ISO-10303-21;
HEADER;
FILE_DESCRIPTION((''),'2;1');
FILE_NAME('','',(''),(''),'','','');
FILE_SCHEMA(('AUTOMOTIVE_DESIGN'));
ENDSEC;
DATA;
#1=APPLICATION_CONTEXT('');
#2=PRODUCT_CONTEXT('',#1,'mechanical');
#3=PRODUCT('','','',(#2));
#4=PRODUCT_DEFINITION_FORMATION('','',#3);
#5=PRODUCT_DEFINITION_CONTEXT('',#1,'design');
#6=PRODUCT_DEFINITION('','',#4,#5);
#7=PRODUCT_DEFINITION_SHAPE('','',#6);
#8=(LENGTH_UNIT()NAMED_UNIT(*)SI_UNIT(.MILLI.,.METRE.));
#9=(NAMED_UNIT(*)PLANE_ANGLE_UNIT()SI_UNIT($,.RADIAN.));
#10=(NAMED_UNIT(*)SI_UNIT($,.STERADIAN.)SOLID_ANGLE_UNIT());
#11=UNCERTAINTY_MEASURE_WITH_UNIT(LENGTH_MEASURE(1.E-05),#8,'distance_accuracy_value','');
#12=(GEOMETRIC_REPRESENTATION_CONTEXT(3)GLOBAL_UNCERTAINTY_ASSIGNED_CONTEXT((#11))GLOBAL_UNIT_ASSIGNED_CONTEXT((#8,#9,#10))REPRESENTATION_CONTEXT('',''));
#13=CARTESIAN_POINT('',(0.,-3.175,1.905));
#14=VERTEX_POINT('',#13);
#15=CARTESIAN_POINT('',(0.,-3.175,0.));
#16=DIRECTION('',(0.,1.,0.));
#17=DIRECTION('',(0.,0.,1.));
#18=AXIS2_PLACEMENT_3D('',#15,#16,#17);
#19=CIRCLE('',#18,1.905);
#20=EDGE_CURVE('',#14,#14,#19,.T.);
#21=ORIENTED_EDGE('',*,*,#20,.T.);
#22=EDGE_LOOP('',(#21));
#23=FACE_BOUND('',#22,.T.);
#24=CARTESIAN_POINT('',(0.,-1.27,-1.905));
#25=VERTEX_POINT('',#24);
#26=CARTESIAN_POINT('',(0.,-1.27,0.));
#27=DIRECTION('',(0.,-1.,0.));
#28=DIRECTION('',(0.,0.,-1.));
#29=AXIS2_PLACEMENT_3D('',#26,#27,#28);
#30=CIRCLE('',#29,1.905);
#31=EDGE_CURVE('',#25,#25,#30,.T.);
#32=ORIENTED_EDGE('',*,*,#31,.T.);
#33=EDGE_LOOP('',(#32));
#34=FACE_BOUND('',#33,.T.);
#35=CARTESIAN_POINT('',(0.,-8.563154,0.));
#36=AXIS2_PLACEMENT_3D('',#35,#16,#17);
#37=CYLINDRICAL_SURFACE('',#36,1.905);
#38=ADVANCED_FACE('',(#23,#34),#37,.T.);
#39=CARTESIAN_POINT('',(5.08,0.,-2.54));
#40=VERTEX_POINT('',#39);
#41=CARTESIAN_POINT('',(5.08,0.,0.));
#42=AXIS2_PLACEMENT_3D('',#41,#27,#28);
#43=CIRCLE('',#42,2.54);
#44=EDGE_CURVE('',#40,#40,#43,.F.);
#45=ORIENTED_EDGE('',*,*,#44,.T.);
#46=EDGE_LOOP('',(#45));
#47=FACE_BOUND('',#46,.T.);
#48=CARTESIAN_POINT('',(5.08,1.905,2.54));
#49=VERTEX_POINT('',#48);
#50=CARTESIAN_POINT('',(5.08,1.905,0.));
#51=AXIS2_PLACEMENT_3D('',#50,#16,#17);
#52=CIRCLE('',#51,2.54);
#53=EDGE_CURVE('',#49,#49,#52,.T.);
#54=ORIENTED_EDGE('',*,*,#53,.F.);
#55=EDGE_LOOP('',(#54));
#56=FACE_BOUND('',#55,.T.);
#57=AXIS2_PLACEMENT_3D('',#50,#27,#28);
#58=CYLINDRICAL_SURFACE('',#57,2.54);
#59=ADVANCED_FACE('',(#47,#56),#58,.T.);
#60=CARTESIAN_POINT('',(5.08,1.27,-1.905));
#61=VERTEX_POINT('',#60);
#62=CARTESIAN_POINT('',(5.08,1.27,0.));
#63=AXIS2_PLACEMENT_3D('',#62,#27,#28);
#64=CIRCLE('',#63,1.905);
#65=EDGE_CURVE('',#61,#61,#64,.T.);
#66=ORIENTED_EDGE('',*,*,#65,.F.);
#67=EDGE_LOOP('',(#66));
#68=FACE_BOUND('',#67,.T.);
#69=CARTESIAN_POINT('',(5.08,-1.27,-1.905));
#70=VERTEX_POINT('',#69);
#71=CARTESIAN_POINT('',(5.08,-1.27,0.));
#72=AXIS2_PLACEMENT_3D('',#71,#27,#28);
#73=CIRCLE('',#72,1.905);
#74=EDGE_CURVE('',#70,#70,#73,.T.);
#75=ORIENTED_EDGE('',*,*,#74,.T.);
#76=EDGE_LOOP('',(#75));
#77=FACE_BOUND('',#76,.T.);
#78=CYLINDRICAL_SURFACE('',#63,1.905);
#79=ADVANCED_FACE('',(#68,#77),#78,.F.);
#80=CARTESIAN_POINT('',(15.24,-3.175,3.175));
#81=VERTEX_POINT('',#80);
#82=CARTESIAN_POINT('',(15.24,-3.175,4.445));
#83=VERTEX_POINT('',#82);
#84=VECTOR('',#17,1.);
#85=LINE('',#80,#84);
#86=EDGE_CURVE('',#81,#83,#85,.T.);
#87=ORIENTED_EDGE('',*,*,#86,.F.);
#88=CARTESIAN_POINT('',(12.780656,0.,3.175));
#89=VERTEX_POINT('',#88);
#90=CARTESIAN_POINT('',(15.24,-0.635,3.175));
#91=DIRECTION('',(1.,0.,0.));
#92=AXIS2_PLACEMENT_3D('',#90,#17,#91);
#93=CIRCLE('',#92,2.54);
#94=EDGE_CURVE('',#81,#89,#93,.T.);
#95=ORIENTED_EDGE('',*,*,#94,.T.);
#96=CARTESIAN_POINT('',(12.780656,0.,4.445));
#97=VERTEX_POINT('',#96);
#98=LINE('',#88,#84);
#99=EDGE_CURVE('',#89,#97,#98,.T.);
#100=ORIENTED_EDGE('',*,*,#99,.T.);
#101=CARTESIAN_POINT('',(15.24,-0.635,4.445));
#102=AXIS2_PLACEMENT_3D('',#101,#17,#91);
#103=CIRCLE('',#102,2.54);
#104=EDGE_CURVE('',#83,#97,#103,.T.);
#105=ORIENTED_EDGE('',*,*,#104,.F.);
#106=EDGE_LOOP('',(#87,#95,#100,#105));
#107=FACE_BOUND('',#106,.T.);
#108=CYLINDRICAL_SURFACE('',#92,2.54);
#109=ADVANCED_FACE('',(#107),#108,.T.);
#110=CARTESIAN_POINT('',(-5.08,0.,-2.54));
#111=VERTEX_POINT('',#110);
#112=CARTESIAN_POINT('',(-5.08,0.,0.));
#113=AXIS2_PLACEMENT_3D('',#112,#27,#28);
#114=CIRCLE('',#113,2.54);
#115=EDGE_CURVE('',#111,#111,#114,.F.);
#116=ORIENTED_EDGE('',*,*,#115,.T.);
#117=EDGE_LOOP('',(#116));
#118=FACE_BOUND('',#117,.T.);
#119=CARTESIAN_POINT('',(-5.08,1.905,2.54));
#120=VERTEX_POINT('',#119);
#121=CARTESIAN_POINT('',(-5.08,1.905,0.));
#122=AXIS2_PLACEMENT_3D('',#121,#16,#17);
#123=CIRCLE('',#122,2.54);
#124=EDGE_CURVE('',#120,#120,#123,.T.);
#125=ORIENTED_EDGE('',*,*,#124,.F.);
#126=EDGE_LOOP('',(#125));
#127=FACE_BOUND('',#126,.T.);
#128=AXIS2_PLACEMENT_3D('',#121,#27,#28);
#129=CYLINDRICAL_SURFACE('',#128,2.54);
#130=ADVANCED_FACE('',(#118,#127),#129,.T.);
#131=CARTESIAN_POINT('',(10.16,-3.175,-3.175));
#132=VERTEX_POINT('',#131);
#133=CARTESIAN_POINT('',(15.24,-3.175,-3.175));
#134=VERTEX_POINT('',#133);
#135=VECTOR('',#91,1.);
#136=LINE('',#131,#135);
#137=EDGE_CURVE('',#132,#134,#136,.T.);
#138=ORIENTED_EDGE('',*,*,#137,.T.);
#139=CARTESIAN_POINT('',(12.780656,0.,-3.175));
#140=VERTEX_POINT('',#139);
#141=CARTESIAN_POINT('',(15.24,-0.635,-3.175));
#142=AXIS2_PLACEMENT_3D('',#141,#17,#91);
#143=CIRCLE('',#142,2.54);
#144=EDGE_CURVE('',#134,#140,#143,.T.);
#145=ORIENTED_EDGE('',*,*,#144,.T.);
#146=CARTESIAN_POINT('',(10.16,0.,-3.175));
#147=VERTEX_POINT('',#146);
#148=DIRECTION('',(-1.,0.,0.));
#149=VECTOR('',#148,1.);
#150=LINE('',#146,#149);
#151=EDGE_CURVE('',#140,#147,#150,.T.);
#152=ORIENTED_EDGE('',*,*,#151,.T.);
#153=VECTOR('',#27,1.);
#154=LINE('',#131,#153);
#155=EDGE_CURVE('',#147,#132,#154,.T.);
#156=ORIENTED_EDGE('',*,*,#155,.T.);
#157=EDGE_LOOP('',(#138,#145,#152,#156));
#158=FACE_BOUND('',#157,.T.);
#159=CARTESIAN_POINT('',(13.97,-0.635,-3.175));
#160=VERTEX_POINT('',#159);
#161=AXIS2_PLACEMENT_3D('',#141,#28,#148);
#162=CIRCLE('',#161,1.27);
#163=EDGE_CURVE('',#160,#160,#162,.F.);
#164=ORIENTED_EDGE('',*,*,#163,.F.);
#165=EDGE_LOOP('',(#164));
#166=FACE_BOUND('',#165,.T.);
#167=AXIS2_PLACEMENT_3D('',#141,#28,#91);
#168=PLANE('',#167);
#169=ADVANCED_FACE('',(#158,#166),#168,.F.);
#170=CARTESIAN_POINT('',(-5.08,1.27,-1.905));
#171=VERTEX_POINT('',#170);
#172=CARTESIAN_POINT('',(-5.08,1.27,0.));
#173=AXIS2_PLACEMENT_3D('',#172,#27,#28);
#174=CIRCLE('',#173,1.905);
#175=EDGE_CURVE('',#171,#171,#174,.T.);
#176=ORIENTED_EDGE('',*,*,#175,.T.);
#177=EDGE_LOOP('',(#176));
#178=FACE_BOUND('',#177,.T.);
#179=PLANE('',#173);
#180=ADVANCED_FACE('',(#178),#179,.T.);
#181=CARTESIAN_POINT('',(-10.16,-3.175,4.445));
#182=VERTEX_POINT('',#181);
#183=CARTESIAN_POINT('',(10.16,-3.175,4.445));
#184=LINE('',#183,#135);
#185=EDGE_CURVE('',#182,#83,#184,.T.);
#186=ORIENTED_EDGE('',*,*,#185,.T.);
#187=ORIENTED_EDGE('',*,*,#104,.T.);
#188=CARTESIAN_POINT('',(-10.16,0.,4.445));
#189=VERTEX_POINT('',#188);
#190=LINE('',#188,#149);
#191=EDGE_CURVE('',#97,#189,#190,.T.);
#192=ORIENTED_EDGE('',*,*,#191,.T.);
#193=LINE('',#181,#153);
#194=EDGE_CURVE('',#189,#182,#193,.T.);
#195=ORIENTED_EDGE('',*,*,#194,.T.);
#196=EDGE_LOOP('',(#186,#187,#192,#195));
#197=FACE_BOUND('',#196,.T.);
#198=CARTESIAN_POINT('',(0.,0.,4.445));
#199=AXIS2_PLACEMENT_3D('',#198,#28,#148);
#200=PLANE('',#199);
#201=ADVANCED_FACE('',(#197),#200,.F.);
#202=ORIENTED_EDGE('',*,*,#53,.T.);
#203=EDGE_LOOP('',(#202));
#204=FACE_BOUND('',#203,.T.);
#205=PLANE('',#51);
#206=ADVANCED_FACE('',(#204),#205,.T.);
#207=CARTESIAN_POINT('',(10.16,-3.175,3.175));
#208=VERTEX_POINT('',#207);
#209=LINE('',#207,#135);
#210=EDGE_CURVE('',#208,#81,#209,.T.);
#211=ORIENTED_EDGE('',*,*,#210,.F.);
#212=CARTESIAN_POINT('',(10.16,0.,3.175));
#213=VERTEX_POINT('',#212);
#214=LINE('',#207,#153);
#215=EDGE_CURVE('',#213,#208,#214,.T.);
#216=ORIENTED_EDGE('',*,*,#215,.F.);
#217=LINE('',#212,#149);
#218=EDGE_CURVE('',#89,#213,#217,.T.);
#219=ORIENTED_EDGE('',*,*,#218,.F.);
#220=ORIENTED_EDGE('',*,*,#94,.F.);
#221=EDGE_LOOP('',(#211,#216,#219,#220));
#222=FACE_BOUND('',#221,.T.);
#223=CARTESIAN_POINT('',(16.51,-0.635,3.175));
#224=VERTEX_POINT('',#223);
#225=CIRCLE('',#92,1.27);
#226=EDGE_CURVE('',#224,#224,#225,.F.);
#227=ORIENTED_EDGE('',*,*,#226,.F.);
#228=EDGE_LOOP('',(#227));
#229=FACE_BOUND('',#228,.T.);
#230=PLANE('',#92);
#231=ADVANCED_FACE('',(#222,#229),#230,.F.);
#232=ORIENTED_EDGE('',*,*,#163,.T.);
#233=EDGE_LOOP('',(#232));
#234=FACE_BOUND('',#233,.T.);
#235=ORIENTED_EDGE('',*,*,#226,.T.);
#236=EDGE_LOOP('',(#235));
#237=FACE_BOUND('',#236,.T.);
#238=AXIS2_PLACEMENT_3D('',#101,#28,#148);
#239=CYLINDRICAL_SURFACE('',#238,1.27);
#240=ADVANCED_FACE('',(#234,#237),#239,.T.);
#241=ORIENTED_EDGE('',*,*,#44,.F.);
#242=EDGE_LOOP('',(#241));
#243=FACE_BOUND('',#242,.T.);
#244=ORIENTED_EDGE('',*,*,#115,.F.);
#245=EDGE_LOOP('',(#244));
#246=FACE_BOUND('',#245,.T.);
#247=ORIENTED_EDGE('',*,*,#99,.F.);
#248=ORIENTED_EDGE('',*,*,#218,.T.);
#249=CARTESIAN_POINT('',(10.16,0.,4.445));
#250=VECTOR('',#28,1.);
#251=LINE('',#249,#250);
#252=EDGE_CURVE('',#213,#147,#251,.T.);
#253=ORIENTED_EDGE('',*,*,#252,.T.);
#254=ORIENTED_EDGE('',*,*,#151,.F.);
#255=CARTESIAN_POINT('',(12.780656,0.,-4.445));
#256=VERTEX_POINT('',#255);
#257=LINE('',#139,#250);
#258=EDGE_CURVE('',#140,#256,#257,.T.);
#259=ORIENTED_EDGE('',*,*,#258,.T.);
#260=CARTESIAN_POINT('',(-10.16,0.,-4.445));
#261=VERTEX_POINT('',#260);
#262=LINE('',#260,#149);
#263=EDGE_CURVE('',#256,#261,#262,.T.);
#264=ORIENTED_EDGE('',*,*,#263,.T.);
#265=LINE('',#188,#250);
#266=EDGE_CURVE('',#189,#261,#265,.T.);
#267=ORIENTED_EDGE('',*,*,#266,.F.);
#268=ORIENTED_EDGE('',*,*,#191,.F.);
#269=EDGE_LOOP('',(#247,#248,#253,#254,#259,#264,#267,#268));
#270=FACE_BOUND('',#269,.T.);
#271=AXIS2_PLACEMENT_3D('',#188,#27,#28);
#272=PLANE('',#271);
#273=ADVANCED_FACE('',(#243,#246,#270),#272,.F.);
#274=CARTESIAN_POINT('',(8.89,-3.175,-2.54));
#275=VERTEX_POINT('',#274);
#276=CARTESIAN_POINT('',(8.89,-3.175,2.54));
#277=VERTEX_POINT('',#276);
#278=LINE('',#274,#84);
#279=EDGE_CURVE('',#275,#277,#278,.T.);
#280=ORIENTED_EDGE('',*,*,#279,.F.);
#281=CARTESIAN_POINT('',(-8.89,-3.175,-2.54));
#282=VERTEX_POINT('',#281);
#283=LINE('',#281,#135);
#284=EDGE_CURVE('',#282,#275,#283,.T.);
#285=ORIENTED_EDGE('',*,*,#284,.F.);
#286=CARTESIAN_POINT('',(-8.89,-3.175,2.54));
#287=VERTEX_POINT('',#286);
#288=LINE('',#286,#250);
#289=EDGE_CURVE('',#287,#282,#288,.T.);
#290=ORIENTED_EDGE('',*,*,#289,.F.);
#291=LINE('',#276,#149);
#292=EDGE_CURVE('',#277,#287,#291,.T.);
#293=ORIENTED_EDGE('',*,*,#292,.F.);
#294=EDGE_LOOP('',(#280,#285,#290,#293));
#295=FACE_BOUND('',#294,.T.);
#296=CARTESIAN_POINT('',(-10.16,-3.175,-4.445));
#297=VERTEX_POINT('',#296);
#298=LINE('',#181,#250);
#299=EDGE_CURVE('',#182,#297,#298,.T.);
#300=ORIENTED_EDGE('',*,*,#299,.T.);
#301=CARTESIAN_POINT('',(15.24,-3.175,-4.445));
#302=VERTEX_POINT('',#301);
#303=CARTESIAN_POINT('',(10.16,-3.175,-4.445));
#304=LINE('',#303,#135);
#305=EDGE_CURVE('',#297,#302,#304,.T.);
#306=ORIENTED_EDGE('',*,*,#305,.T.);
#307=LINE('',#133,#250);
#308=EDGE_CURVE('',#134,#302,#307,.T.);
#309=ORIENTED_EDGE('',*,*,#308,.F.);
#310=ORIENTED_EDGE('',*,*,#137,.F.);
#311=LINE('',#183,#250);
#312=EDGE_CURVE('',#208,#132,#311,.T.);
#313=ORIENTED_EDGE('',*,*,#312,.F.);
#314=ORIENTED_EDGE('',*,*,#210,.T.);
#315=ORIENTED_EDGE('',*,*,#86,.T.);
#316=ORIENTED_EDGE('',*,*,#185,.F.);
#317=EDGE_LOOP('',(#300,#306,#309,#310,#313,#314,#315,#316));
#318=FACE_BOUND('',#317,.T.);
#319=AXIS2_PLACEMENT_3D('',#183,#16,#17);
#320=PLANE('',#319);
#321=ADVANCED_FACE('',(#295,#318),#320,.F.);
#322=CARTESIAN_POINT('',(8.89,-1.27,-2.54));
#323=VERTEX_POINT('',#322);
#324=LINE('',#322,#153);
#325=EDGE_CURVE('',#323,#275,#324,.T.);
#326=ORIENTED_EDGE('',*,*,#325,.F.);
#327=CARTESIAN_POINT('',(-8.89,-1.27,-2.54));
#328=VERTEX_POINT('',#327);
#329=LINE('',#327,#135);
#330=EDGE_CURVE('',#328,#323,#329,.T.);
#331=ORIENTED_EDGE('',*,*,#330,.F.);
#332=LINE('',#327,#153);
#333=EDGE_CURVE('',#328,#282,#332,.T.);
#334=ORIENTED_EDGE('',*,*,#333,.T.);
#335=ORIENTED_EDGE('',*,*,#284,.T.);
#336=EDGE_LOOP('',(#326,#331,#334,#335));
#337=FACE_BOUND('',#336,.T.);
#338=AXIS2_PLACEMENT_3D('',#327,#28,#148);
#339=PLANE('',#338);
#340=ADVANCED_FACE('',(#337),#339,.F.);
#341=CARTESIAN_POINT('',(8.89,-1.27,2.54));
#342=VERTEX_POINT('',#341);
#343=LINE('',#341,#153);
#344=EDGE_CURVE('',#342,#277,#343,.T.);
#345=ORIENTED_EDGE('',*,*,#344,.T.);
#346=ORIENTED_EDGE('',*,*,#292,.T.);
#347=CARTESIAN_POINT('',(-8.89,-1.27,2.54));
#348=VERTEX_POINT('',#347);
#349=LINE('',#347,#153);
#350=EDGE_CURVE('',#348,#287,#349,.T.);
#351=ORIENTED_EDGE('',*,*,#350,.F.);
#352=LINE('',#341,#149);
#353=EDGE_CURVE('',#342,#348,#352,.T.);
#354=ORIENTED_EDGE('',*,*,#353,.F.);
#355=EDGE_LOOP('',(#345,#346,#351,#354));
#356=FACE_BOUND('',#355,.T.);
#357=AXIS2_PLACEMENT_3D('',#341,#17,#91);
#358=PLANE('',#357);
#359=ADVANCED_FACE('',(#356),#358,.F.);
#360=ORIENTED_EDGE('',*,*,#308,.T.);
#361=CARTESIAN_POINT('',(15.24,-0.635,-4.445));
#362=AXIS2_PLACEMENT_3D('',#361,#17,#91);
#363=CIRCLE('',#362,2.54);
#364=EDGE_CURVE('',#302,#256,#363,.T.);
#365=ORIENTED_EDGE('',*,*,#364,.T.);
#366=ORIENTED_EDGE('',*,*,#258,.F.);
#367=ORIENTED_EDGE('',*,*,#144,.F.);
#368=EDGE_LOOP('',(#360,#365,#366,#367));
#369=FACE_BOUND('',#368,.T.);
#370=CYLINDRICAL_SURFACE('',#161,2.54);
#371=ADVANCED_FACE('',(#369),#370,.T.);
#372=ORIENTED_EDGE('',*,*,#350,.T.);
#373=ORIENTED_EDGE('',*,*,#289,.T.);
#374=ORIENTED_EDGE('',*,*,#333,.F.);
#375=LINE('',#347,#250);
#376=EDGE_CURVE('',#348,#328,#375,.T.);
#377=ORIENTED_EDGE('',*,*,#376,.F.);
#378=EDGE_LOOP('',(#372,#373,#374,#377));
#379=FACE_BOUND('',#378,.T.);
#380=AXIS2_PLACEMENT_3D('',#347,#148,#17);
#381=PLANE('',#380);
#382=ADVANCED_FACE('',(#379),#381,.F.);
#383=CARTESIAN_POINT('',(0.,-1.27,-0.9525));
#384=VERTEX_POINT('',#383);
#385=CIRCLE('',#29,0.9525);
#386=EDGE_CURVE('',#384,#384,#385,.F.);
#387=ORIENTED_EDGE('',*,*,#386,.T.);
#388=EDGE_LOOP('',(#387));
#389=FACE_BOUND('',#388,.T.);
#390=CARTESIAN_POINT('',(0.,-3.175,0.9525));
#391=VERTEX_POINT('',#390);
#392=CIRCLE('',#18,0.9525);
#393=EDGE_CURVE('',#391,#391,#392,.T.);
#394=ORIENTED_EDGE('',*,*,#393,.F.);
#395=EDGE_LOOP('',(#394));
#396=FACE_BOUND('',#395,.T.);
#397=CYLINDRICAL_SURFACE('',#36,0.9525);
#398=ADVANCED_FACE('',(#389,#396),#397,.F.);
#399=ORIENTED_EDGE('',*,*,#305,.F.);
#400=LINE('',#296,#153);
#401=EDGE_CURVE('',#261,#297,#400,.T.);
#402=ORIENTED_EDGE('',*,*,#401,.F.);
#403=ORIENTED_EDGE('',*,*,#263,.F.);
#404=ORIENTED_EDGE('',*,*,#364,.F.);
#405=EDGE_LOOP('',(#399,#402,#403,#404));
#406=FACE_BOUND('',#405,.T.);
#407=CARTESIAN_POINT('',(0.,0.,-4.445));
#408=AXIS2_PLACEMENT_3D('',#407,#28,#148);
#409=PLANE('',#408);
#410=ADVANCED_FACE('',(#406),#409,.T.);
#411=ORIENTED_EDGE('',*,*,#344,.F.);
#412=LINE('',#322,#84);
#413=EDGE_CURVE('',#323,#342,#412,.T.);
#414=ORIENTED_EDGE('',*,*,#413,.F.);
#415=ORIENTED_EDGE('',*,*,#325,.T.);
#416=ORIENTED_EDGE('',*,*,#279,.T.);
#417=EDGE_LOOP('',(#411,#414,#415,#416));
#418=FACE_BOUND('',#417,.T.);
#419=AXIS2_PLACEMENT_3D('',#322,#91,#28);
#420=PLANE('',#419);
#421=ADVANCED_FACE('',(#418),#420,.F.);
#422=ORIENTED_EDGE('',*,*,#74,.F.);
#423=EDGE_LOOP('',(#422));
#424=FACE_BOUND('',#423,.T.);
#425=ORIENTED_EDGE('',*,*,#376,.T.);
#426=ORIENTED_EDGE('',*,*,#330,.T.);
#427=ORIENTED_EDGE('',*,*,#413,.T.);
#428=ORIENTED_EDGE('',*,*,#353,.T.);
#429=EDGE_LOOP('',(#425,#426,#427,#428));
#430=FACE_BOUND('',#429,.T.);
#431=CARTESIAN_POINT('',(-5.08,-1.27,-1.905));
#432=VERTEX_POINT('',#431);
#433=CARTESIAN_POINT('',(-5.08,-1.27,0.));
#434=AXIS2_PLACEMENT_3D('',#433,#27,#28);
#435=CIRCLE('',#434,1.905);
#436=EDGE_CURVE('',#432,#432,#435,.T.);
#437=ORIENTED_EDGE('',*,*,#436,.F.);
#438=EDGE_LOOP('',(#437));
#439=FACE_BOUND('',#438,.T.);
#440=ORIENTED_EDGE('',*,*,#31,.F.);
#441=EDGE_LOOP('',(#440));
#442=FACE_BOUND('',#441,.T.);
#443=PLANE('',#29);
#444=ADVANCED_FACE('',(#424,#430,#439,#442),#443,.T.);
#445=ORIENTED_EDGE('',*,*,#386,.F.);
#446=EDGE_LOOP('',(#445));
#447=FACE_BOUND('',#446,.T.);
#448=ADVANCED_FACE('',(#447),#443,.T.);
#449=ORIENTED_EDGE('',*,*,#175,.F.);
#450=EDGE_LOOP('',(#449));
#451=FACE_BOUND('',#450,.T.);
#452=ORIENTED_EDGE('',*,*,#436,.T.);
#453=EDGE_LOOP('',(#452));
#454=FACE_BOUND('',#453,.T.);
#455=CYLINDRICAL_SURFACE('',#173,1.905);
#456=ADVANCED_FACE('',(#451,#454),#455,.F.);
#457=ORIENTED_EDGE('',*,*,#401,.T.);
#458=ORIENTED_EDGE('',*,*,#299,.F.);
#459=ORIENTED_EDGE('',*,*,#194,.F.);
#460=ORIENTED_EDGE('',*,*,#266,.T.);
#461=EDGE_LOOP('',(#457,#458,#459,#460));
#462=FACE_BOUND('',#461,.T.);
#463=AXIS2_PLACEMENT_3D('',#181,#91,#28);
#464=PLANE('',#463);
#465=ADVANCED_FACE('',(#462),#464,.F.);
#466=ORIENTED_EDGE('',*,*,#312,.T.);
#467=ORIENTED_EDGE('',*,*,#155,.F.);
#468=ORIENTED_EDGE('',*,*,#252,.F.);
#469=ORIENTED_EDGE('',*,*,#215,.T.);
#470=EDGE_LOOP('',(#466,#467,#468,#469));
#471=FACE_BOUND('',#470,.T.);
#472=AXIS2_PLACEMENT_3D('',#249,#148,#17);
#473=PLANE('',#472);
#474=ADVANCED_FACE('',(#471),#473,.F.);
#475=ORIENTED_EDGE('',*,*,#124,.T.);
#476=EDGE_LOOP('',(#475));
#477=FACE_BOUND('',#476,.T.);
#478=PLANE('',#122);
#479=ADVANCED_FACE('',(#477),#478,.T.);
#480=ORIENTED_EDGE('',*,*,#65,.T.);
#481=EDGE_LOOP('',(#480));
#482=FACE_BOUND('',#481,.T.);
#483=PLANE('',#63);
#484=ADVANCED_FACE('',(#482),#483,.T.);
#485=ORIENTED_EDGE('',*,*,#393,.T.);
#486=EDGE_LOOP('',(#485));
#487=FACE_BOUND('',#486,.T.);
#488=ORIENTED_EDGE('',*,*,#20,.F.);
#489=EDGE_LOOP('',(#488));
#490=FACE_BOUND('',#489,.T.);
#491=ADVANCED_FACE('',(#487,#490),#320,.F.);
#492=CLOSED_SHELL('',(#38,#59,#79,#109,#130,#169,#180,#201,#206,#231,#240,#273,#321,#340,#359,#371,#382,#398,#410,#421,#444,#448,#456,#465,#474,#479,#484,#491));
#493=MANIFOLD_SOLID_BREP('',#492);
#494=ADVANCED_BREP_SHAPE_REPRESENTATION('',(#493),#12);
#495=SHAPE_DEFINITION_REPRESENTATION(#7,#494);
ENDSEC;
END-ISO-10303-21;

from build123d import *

# Parameters (mm, degrees)
SKETCH1_W                       = 20.32
SKETCH1_H                       = 3.175
BOSS_EXTRUDE2_DEPTH             = 4.445
SKETCH3_R                       = 2.54
BOSS_EXTRUDE3_DEPTH             = 1.905
SKETCH4_W                       = 17.78
SKETCH4_H                       = 5.08
CUT_EXTRUDE1_DEPTH              = 1.905
SKETCH5_R                       = 1.905
CUT_EXTRUDE2_DEPTH              = 2.54
SKETCH6_R                       = 1.905
SKETCH6_R_2                     = 0.9525
BOSS_EXTRUDE4_DEPTH             = 1.905
BOSS_EXTRUDE5_DEPTH             = 1.27
BOSS_EXTRUDE6_REACH             = 6.445
SKETCH9_R                       = 1.27
BOSS_EXTRUDE6_DIRECTION_2_REACH = 6.445


with BuildPart() as part:
    # Sketch1 → Boss-Extrude2 (new body, symmetric)
    with BuildSketch(Plane.XY):
        with Locations((0, -1.5875)):
            Rectangle(SKETCH1_W, SKETCH1_H)
    extrude(amount=BOSS_EXTRUDE2_DEPTH, both=True)

    # Sketch3 → Boss-Extrude3 (add)
    with BuildSketch(Plane(origin=(0, 0, 0), x_dir=(1, 0, 0), z_dir=(0, 1, 0))):
        with Locations((-5.08, 0)):
            Circle(SKETCH3_R)
        with Locations((5.08, 0)):
            Circle(SKETCH3_R)
    extrude(amount=BOSS_EXTRUDE3_DEPTH)

    # Sketch4 → Cut-Extrude1 (cut)
    with BuildSketch(Plane.XZ.offset(3.175)):
        Rectangle(SKETCH4_W, SKETCH4_H)
    extrude(amount=-CUT_EXTRUDE1_DEPTH, mode=Mode.SUBTRACT)

    # Sketch5 → Cut-Extrude2 (cut)
    with BuildSketch(Plane.XZ.offset(1.27)):
        with Locations((-5.08, 0)):
            Circle(SKETCH5_R)
        with Locations((5.08, 0)):
            Circle(SKETCH5_R)
    extrude(amount=-CUT_EXTRUDE2_DEPTH, mode=Mode.SUBTRACT)

    # Sketch6 → Boss-Extrude4 (add)
    with BuildSketch(Plane.XZ.offset(1.27)):
        Circle(SKETCH6_R)
        Circle(SKETCH6_R_2, mode=Mode.SUBTRACT)
    extrude(amount=BOSS_EXTRUDE4_DEPTH)

    # Sketch8 → Boss-Extrude5 (add)
    with BuildSketch(Plane.XY.offset(4.445)):
        with BuildLine():
            Line((10.16, -3.175), (15.24, -3.175))
            ThreePointArc((15.24, -3.175), (17.248046314, 0.920425987), (12.780655575, 0))
            Line((12.780655575, 0), (10.16, 0))
            Line((10.16, 0), (10.16, -3.175))
        make_face()
    boss_extrude5 = extrude(amount=-BOSS_EXTRUDE5_DEPTH)

    # Mirror1: Boss-Extrude5 across plane
    add(boss_extrude5.mirror(Plane.XY))

    # Sketch9 → Boss-Extrude6 (add, up to next)
    with BuildSketch(Plane.XY, mode=Mode.PRIVATE) as boss_extrude6_sk1:
        with Locations((15.24, -0.635)):
            Circle(SKETCH9_R)
    boss_extrude6_tool1 = extrude(boss_extrude6_sk1.sketch, amount=BOSS_EXTRUDE6_REACH, mode=Mode.PRIVATE) - part.part
    add(boss_extrude6_tool1.solids().sort_by_distance((15.24, -0.635, 0))[0])

    # Sketch9 → Boss-Extrude6 direction 2 (add, up to next)
    with BuildSketch(Plane.XY, mode=Mode.PRIVATE) as boss_extrude6_direction_2_sk1:
        with Locations((15.24, -0.635)):
            Circle(SKETCH9_R)
    boss_extrude6_direction_2_tool1 = extrude(boss_extrude6_direction_2_sk1.sketch, amount=-BOSS_EXTRUDE6_DIRECTION_2_REACH, mode=Mode.PRIVATE) - part.part
    add(boss_extrude6_direction_2_tool1.solids().sort_by_distance((15.24, -0.635, 0))[0])


solid = part.part
